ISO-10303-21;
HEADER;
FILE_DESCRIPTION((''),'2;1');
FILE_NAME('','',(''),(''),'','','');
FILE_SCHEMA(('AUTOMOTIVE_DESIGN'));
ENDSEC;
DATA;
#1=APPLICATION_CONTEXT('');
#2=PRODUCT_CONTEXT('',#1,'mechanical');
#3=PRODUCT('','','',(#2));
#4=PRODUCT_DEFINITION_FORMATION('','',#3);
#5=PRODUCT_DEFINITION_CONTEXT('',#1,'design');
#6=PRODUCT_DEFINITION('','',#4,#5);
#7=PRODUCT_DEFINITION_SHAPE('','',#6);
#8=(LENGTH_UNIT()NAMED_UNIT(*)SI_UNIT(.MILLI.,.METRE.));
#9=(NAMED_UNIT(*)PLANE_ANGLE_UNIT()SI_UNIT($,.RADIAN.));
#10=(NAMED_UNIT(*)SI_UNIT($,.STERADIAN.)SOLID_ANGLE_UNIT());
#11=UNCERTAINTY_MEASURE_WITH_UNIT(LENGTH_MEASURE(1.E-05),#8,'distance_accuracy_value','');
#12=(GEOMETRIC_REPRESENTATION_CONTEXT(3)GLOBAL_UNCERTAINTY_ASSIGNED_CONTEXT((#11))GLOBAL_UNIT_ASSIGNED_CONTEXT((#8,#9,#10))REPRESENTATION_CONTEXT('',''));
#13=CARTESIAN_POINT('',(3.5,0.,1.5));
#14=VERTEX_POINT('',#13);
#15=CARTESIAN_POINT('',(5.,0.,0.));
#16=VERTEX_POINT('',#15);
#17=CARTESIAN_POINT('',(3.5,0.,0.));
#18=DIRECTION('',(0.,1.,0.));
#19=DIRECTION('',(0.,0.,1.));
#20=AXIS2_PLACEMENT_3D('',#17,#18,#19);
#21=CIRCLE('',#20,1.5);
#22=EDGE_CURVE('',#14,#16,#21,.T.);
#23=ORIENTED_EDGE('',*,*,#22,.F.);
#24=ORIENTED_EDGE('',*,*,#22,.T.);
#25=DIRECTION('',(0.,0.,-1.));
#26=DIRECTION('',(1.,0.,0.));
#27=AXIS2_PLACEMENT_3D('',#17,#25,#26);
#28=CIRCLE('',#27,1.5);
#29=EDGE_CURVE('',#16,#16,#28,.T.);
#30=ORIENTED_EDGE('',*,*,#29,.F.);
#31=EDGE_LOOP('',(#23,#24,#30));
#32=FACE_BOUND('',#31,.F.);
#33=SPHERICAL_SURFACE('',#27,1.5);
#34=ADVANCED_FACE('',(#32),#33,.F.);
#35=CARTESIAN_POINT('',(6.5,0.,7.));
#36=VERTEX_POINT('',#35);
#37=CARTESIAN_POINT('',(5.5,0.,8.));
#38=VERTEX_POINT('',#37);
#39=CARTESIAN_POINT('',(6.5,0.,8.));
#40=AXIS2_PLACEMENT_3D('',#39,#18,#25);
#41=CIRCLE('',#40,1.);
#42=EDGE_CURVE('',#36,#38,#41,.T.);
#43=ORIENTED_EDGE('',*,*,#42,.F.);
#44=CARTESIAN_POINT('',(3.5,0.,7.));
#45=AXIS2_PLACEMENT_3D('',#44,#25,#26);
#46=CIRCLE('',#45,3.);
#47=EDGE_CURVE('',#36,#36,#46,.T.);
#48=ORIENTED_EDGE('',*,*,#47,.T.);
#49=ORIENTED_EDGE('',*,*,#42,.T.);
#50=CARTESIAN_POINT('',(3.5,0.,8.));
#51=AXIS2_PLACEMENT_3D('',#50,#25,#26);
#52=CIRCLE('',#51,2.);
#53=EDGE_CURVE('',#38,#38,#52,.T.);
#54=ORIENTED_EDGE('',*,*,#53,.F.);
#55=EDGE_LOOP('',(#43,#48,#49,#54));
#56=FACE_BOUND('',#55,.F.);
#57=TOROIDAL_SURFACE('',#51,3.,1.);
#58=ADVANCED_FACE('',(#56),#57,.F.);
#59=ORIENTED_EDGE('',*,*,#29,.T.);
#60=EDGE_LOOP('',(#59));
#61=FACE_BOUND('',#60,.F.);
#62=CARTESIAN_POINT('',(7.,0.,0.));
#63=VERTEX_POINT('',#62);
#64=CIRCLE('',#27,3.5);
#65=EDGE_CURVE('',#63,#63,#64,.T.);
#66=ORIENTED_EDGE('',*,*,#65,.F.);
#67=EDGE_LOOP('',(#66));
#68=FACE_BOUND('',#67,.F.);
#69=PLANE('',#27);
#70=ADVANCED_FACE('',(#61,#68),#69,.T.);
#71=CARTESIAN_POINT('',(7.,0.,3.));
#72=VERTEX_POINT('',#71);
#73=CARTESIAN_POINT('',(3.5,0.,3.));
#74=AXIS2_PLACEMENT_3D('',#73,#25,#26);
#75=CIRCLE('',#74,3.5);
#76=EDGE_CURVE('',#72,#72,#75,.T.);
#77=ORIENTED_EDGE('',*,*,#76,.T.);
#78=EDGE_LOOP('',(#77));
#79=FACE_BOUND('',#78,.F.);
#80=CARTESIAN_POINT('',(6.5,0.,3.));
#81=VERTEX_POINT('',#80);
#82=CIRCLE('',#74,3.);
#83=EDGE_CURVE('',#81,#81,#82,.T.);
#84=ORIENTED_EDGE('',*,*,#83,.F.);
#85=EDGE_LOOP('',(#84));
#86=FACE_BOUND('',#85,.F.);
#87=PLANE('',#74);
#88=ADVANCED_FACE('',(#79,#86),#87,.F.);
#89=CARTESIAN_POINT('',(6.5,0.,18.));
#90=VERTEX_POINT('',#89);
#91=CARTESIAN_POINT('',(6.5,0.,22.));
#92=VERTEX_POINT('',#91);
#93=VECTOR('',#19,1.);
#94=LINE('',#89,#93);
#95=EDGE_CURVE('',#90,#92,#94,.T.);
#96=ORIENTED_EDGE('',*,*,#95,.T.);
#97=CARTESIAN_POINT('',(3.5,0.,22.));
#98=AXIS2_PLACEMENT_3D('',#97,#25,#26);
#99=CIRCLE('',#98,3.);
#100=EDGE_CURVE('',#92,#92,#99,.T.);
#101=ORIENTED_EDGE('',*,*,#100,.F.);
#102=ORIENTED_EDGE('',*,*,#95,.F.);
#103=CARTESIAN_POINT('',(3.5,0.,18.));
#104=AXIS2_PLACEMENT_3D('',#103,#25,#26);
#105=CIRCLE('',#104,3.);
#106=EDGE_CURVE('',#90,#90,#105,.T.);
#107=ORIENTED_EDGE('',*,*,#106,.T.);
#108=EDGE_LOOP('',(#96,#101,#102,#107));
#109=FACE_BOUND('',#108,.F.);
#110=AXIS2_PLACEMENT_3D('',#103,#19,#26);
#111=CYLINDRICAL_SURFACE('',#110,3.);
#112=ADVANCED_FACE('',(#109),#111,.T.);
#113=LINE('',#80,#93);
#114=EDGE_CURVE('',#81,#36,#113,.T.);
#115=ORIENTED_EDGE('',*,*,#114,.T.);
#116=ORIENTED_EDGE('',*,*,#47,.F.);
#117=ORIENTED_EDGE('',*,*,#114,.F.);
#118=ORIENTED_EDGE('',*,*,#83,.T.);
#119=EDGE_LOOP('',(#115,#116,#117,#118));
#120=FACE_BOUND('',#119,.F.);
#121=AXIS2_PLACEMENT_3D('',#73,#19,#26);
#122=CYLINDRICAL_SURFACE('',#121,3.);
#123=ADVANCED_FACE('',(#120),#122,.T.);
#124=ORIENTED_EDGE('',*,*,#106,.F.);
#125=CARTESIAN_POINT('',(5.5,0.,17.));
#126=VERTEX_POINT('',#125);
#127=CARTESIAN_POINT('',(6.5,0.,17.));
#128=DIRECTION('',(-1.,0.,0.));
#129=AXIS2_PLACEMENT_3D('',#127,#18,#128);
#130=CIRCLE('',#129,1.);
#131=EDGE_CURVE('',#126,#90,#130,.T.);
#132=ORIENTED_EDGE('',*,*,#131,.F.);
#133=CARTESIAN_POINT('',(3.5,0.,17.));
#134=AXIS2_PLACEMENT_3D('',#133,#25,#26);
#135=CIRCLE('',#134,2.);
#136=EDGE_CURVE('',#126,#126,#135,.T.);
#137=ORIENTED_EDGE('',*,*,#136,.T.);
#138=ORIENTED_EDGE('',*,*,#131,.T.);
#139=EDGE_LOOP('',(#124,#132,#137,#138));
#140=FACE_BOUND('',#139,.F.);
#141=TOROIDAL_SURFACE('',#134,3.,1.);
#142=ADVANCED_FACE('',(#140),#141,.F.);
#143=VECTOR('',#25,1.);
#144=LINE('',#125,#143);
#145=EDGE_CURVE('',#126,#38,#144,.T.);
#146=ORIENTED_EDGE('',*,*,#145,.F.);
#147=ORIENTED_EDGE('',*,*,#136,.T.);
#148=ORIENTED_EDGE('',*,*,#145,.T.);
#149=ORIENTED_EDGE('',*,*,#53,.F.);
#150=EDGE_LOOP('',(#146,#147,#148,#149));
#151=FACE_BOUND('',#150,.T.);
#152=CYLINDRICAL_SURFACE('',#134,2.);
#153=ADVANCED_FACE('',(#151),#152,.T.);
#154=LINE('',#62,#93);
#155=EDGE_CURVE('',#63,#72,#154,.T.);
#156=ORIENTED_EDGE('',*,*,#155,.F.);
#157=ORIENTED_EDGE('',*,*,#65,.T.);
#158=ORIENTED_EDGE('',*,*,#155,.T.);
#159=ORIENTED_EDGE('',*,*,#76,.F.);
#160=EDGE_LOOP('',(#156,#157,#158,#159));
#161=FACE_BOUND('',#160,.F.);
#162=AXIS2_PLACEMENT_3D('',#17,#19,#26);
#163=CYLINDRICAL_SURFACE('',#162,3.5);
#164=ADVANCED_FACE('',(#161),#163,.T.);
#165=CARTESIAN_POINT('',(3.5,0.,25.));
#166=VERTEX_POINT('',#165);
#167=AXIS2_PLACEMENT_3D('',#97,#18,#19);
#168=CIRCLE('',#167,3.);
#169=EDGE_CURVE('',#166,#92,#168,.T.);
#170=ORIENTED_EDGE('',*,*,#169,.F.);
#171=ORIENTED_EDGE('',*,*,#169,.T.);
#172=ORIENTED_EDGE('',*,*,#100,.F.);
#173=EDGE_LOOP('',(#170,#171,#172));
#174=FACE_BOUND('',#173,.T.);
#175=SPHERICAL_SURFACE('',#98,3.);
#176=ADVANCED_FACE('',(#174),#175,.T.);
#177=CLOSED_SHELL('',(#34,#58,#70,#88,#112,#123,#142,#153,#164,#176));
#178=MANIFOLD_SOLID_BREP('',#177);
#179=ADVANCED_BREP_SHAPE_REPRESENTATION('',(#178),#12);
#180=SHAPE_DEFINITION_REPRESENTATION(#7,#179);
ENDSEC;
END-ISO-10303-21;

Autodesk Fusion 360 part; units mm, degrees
sketch "Sketch1" plane through (0, 0, 0) normal (0, 1, 0) x (1, 0, 0)
  line L0 (5, 0) -> (7, 0)
  line L1 (7, 0) -> (7, -3)
  line L2 (6.5, -3) -> (6.5, -7)
  line L3 (5.5, -17) -> (5.5, -8)
  line L4 (6.5, -18) -> (6.5, -22)
  arc A0 (3.5, -25) -> (6.5, -22) centre (3.5, -22) ccw
  line L5 (0.5, -18) -> (0.5, -18)
  line L6 (6.5, -18) -> (6.5, -18)
  line L7 (6.5, -7) -> (6.5, -7)
  line L8 (0.5, -7) -> (0.5, -7)
  arc A1 (5.5, -17) -> (6.5, -18) centre (6.5, -17) ccw
  arc A2 (6.5, -7) -> (5.5, -8) centre (6.5, -8) ccw
  line L9 (7, -3) -> (6.5, -3)
  line L10 (0.5, -3) -> (0, -3)
  line L11 (3.5, 0) -> (3.5, -25) construction
  line L12 (3.5, -25) -> (3.5, -1.5)
  arc A3 (3.5, -1.5) -> (5, 0) centre (3.5, 0) ccw
  point P0 (5.5, -7)
  point P1 (1.5, -7)
  point P2 (5.5, -18)
  dimension "d10" = 7
  dimension "d11" = 3
  dimension "d12" = 6
  dimension "d13" = 4
  dimension "d14" = 4
  dimension "d15" = 11
  dimension "d16" = 6
  dimension "d17" = 6
  dimension "d18" = 4
  dimension "d20" = 1
  dimension "d22" = 1
  dimension "d25" = 3
revolve "Revolve1" add sketch "Sketch1" angle 360 about axis through (3.5, 0, 25) along (0, 0, -1)
equation "lifter_tier_one_height = 3 mm"
equation "lifter_tier_one_diameter = 7 mm"
equation "lifter_tier_two_height = 4 mm"
equation "lifter_tier_two_diameter = 6 mm"
equation "lifter_tier_three_height = 11 mm"
equation "lifter_tier_three_diameter = 4 mm"
equation "lifter_tier_three_radius = 1 mm"
equation "lifter_tier_four_diameter = 6 mm"
equation "lifter_tier_four_total_height = 7 mm"
equation "d10 = lifter_tier_one_diameter"
equation "d11 = lifter_tier_one_height"
equation "d12 = lifter_tier_two_diameter"
equation "d13 = lifter_tier_two_height"
equation "d14 = lifter_tier_three_diameter"
equation "d15 = lifter_tier_three_height"
equation "d16 = lifter_tier_four_diameter"
equation "d17 = lifter_tier_four_diameter"
equation "d18 = lifter_tier_four_total_height - ( lifter_tier_four_diameter / 2 )"
equation "d20 = lifter_tier_three_radius"
equation "d22 = lifter_tier_three_radius"
equation "hemispherical_cut_diameter = 3 mm"
equation "d25 = hemispherical_cut_diameter"
